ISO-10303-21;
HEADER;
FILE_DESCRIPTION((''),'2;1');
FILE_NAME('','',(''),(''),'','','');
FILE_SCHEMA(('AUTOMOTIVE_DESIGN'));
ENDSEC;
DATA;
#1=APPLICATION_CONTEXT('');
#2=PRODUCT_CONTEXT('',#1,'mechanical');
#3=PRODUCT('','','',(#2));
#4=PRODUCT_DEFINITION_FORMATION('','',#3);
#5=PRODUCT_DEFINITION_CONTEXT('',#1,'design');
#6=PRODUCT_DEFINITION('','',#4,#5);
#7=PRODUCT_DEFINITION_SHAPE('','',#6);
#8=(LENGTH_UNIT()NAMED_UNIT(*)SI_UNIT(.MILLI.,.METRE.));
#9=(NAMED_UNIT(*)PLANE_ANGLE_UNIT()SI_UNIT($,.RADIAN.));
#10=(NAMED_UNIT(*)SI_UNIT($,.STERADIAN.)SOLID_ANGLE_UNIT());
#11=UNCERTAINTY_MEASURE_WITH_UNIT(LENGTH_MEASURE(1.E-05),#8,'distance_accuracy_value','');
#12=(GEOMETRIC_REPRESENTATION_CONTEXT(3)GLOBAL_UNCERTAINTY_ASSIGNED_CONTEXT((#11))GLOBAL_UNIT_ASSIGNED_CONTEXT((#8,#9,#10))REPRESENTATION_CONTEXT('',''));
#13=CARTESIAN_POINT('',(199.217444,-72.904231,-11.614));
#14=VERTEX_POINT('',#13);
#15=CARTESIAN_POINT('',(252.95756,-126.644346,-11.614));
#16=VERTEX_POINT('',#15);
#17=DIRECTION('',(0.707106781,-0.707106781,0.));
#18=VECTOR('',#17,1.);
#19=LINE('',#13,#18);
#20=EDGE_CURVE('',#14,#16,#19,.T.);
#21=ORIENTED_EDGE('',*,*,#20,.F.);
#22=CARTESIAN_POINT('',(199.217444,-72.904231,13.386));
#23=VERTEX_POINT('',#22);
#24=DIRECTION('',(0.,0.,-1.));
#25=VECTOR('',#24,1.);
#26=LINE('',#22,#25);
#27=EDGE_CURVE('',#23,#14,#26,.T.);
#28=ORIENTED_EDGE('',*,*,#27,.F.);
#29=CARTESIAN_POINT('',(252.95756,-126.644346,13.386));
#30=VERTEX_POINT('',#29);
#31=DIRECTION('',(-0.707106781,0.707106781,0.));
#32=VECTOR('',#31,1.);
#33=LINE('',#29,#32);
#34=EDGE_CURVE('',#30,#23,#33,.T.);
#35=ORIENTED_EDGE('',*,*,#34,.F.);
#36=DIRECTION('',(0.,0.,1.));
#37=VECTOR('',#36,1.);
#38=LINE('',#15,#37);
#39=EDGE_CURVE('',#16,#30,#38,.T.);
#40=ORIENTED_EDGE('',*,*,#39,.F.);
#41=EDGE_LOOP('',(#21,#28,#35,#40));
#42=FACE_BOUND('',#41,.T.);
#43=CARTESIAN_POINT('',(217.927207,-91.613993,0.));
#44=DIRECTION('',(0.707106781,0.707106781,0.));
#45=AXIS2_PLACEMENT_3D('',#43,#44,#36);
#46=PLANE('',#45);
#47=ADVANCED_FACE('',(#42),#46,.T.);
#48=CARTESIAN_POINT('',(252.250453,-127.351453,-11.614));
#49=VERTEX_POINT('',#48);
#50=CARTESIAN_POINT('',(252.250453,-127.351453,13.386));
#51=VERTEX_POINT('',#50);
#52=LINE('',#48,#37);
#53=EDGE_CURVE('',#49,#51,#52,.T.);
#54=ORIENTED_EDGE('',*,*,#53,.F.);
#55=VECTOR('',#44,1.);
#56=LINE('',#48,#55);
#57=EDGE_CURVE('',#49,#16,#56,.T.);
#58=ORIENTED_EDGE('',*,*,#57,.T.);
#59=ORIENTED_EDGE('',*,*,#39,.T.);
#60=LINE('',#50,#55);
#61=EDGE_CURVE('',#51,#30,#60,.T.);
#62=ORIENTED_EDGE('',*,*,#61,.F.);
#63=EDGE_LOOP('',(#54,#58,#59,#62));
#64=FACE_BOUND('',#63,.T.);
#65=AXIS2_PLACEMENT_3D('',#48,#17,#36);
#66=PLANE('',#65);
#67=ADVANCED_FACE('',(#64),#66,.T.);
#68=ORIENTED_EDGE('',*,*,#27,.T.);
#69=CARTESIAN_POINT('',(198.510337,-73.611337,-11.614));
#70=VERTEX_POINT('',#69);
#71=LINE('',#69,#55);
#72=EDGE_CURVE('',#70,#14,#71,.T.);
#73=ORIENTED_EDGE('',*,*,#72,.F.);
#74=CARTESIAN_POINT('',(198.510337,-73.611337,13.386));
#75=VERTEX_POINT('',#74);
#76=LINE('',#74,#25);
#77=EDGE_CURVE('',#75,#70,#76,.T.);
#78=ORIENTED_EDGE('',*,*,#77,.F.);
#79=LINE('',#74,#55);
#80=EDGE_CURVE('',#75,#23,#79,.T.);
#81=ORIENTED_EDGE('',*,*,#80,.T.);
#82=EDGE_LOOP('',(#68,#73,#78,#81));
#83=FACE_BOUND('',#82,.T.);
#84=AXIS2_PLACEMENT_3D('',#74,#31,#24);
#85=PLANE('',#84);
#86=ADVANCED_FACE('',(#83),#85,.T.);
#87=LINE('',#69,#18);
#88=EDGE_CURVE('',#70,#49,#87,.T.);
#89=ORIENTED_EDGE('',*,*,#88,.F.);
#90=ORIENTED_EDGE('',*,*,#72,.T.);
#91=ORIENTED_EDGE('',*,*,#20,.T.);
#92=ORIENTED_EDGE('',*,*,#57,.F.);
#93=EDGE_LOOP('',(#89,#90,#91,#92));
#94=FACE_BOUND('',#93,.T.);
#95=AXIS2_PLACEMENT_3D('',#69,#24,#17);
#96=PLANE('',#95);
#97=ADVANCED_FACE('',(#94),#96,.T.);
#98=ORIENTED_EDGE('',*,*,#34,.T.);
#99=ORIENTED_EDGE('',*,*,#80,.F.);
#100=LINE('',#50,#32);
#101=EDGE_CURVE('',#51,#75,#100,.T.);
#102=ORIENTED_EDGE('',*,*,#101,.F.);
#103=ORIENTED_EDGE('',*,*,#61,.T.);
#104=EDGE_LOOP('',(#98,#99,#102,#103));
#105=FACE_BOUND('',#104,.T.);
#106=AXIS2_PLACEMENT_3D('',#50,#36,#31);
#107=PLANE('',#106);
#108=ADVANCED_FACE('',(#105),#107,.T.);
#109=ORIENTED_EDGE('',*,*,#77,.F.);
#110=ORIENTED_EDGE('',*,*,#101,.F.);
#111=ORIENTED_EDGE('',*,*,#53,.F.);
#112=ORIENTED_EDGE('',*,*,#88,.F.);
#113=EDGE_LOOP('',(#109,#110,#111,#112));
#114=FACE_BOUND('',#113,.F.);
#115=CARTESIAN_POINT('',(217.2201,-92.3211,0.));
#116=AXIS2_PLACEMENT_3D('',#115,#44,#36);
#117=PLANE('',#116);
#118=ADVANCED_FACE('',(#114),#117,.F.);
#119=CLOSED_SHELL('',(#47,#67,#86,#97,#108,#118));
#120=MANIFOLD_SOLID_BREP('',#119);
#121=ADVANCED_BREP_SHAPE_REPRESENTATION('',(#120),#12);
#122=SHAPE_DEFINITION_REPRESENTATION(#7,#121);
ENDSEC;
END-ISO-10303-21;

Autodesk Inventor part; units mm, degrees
ref_plane "YZ Plane" through (0, 0, 0) normal (1, 0, 0) x (0, 1, 0)
ref_plane "XZ Plane" through (0, 0, 0) normal (0, 1, 0) x (-1, 0, 0)
ref_plane "Plano de trabajo1" through (217.2201, -92.3211, 0) normal (0.7071, 0.7071, 0) x (0, 0, 1)
sketch "Boceto3" plane through (217.2201, -92.3211, 0) normal (0.7071, 0.7071, 0) x (0, 0, 1)
  line L0 (-11.614, 49.5404) -> (13.386, 49.5404)
  line L1 (13.386, 49.5404) -> (13.386, -26.4596)
  line L2 (13.386, -26.4596) -> (-11.614, -26.4596)
  line L3 (-11.614, -26.4596) -> (-11.614, 49.5404)
  line L4 (-11.614, 49.5404) -> (13.386, -26.4596) construction
  line L5 (13.386, 49.5404) -> (-11.614, -26.4596) construction
  point P0 (0, -218.8787)
  point P1 (0, 0)
  dimension "d10" = 25
  dimension "d11" = 76
extrude "Extrusión3" add sketch "Boceto3" along normal blind 1
properties part number "BeamSplitter"
